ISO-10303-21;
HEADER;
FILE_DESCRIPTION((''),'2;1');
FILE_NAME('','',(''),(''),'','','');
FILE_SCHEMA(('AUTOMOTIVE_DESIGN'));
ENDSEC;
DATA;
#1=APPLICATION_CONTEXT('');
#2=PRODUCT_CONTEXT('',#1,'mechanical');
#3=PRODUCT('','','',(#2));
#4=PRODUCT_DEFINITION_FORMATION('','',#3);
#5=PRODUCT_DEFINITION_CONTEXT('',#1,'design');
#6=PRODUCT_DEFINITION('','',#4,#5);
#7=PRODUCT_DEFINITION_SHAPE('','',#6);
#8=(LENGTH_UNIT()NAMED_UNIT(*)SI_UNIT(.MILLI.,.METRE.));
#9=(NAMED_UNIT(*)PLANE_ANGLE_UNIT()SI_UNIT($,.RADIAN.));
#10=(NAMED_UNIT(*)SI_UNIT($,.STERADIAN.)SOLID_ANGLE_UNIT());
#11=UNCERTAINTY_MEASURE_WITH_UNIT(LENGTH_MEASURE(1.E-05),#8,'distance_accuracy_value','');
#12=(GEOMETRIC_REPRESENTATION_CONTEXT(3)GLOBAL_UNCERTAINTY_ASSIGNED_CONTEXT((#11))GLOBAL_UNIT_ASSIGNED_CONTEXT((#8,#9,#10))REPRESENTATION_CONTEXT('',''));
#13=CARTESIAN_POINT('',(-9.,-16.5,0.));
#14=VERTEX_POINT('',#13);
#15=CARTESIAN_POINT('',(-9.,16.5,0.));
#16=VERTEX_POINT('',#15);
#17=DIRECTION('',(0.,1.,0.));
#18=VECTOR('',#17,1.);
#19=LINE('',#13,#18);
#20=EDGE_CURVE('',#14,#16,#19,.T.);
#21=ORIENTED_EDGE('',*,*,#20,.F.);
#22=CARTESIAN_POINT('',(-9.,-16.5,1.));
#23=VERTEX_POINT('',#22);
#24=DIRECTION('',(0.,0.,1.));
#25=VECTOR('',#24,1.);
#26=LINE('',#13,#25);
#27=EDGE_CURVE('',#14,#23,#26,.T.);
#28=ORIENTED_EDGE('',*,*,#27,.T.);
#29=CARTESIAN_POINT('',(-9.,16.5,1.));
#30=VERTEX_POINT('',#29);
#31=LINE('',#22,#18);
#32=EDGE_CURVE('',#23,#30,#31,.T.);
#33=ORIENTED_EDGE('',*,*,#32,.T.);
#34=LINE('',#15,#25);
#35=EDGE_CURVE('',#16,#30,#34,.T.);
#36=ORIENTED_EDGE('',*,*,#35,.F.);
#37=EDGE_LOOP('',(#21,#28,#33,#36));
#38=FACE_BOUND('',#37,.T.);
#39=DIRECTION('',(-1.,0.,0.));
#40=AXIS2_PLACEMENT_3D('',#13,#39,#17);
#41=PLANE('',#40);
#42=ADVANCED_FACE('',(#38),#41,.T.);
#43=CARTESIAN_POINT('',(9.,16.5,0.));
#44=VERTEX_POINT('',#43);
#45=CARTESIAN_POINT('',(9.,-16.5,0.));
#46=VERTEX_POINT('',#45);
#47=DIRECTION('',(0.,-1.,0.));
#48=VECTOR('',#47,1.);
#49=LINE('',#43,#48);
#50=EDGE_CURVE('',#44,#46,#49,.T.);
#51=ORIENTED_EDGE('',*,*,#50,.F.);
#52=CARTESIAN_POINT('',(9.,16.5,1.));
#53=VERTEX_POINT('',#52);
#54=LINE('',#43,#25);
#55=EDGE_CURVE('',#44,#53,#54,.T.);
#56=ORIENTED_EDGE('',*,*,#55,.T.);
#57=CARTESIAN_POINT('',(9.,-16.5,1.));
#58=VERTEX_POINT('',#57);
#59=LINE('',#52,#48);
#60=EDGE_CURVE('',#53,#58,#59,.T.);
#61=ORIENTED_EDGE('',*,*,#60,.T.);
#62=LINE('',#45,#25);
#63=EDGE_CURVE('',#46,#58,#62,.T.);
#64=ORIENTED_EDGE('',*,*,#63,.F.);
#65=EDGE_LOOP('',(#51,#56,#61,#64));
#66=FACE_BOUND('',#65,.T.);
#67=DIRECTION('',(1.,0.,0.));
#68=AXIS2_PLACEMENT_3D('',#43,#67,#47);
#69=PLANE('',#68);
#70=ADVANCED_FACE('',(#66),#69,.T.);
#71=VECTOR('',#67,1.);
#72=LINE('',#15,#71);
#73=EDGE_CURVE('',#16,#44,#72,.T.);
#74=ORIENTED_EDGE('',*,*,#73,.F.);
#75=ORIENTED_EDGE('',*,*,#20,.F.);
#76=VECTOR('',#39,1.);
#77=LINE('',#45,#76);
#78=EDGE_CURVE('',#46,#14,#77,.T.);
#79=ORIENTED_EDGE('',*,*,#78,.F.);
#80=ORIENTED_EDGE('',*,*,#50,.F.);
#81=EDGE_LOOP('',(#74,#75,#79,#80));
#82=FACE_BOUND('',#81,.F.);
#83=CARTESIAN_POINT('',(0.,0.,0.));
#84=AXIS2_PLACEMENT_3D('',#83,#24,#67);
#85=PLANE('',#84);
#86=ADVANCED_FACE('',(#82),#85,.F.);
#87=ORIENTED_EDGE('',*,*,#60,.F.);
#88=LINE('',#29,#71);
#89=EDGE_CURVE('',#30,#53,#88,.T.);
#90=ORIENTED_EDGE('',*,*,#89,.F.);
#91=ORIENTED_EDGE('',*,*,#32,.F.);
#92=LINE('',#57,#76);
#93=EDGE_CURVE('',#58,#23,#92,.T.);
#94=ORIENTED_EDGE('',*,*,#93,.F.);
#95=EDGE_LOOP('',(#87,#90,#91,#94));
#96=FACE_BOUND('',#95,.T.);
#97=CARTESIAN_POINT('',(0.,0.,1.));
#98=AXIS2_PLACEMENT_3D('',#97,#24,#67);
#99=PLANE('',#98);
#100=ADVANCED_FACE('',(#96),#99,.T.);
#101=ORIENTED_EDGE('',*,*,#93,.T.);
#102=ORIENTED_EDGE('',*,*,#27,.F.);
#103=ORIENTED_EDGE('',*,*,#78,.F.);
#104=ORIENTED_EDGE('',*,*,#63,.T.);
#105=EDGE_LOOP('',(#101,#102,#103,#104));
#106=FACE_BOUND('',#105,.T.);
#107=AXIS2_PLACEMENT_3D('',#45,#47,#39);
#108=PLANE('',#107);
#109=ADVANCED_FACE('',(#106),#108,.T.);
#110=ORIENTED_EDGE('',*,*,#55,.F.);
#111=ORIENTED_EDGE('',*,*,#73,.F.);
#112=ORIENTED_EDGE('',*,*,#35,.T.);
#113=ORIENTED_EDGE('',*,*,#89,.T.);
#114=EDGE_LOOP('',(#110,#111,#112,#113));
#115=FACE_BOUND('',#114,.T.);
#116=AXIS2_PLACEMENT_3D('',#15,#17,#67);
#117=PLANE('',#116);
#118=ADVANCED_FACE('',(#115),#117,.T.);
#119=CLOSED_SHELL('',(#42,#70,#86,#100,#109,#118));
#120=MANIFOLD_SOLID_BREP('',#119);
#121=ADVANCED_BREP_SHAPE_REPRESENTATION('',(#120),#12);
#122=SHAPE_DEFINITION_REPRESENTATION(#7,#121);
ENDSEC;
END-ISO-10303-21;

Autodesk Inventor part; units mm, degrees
ref_plane "YZ Plane" through (0, 0, 0) normal (1, 0, 0) x (0, 1, 0)
ref_plane "XZ Plane" through (0, 0, 0) normal (0, 1, 0) x (-1, 0, 0)
ref_plane "XY Plane" through (0, 0, 0) normal (0, 0, 1) x (1, 0, 0)
sketch "Sketch1" plane through (0, 0, 0) normal (0, 0, 1) x (1, 0, 0)
  line L0 (-9, 16.5) -> (9, 16.5)
  line L1 (9, 16.5) -> (9, -16.5)
  line L2 (9, -16.5) -> (-9, -16.5)
  line L3 (-9, -16.5) -> (-9, 16.5)
  line L4 (-9, 16.5) -> (9, -16.5) construction
  line L5 (9, 16.5) -> (-9, -16.5) construction
  point P0 (0, 0)
  dimension "d0" = 18
  dimension "d1" = 33
extrude "Extrusion1" add sketch "Sketch1" along normal blind 1
sketch "Sketch2" plane through (0, 0, 1) normal (0, 0, 1) x (1, 0, 0)
  line L0 (9, 16.5) -> (-9, 16.5) projected
  line L1 (9, -16.5) -> (9, 16.5) projected
  line L2 (-9, 16.5) -> (9.2657, 16.5) construction
  line L3 (9.2657, 16.5) -> (9.2657, -16.5211) construction
  line L4 (9.2657, -16.5211) -> (-9, -16.5211) construction
  line L5 (-9, -16.5211) -> (-9, 16.5) construction
  point P0 (0, 0)
properties part number "ArduinoProMini"
